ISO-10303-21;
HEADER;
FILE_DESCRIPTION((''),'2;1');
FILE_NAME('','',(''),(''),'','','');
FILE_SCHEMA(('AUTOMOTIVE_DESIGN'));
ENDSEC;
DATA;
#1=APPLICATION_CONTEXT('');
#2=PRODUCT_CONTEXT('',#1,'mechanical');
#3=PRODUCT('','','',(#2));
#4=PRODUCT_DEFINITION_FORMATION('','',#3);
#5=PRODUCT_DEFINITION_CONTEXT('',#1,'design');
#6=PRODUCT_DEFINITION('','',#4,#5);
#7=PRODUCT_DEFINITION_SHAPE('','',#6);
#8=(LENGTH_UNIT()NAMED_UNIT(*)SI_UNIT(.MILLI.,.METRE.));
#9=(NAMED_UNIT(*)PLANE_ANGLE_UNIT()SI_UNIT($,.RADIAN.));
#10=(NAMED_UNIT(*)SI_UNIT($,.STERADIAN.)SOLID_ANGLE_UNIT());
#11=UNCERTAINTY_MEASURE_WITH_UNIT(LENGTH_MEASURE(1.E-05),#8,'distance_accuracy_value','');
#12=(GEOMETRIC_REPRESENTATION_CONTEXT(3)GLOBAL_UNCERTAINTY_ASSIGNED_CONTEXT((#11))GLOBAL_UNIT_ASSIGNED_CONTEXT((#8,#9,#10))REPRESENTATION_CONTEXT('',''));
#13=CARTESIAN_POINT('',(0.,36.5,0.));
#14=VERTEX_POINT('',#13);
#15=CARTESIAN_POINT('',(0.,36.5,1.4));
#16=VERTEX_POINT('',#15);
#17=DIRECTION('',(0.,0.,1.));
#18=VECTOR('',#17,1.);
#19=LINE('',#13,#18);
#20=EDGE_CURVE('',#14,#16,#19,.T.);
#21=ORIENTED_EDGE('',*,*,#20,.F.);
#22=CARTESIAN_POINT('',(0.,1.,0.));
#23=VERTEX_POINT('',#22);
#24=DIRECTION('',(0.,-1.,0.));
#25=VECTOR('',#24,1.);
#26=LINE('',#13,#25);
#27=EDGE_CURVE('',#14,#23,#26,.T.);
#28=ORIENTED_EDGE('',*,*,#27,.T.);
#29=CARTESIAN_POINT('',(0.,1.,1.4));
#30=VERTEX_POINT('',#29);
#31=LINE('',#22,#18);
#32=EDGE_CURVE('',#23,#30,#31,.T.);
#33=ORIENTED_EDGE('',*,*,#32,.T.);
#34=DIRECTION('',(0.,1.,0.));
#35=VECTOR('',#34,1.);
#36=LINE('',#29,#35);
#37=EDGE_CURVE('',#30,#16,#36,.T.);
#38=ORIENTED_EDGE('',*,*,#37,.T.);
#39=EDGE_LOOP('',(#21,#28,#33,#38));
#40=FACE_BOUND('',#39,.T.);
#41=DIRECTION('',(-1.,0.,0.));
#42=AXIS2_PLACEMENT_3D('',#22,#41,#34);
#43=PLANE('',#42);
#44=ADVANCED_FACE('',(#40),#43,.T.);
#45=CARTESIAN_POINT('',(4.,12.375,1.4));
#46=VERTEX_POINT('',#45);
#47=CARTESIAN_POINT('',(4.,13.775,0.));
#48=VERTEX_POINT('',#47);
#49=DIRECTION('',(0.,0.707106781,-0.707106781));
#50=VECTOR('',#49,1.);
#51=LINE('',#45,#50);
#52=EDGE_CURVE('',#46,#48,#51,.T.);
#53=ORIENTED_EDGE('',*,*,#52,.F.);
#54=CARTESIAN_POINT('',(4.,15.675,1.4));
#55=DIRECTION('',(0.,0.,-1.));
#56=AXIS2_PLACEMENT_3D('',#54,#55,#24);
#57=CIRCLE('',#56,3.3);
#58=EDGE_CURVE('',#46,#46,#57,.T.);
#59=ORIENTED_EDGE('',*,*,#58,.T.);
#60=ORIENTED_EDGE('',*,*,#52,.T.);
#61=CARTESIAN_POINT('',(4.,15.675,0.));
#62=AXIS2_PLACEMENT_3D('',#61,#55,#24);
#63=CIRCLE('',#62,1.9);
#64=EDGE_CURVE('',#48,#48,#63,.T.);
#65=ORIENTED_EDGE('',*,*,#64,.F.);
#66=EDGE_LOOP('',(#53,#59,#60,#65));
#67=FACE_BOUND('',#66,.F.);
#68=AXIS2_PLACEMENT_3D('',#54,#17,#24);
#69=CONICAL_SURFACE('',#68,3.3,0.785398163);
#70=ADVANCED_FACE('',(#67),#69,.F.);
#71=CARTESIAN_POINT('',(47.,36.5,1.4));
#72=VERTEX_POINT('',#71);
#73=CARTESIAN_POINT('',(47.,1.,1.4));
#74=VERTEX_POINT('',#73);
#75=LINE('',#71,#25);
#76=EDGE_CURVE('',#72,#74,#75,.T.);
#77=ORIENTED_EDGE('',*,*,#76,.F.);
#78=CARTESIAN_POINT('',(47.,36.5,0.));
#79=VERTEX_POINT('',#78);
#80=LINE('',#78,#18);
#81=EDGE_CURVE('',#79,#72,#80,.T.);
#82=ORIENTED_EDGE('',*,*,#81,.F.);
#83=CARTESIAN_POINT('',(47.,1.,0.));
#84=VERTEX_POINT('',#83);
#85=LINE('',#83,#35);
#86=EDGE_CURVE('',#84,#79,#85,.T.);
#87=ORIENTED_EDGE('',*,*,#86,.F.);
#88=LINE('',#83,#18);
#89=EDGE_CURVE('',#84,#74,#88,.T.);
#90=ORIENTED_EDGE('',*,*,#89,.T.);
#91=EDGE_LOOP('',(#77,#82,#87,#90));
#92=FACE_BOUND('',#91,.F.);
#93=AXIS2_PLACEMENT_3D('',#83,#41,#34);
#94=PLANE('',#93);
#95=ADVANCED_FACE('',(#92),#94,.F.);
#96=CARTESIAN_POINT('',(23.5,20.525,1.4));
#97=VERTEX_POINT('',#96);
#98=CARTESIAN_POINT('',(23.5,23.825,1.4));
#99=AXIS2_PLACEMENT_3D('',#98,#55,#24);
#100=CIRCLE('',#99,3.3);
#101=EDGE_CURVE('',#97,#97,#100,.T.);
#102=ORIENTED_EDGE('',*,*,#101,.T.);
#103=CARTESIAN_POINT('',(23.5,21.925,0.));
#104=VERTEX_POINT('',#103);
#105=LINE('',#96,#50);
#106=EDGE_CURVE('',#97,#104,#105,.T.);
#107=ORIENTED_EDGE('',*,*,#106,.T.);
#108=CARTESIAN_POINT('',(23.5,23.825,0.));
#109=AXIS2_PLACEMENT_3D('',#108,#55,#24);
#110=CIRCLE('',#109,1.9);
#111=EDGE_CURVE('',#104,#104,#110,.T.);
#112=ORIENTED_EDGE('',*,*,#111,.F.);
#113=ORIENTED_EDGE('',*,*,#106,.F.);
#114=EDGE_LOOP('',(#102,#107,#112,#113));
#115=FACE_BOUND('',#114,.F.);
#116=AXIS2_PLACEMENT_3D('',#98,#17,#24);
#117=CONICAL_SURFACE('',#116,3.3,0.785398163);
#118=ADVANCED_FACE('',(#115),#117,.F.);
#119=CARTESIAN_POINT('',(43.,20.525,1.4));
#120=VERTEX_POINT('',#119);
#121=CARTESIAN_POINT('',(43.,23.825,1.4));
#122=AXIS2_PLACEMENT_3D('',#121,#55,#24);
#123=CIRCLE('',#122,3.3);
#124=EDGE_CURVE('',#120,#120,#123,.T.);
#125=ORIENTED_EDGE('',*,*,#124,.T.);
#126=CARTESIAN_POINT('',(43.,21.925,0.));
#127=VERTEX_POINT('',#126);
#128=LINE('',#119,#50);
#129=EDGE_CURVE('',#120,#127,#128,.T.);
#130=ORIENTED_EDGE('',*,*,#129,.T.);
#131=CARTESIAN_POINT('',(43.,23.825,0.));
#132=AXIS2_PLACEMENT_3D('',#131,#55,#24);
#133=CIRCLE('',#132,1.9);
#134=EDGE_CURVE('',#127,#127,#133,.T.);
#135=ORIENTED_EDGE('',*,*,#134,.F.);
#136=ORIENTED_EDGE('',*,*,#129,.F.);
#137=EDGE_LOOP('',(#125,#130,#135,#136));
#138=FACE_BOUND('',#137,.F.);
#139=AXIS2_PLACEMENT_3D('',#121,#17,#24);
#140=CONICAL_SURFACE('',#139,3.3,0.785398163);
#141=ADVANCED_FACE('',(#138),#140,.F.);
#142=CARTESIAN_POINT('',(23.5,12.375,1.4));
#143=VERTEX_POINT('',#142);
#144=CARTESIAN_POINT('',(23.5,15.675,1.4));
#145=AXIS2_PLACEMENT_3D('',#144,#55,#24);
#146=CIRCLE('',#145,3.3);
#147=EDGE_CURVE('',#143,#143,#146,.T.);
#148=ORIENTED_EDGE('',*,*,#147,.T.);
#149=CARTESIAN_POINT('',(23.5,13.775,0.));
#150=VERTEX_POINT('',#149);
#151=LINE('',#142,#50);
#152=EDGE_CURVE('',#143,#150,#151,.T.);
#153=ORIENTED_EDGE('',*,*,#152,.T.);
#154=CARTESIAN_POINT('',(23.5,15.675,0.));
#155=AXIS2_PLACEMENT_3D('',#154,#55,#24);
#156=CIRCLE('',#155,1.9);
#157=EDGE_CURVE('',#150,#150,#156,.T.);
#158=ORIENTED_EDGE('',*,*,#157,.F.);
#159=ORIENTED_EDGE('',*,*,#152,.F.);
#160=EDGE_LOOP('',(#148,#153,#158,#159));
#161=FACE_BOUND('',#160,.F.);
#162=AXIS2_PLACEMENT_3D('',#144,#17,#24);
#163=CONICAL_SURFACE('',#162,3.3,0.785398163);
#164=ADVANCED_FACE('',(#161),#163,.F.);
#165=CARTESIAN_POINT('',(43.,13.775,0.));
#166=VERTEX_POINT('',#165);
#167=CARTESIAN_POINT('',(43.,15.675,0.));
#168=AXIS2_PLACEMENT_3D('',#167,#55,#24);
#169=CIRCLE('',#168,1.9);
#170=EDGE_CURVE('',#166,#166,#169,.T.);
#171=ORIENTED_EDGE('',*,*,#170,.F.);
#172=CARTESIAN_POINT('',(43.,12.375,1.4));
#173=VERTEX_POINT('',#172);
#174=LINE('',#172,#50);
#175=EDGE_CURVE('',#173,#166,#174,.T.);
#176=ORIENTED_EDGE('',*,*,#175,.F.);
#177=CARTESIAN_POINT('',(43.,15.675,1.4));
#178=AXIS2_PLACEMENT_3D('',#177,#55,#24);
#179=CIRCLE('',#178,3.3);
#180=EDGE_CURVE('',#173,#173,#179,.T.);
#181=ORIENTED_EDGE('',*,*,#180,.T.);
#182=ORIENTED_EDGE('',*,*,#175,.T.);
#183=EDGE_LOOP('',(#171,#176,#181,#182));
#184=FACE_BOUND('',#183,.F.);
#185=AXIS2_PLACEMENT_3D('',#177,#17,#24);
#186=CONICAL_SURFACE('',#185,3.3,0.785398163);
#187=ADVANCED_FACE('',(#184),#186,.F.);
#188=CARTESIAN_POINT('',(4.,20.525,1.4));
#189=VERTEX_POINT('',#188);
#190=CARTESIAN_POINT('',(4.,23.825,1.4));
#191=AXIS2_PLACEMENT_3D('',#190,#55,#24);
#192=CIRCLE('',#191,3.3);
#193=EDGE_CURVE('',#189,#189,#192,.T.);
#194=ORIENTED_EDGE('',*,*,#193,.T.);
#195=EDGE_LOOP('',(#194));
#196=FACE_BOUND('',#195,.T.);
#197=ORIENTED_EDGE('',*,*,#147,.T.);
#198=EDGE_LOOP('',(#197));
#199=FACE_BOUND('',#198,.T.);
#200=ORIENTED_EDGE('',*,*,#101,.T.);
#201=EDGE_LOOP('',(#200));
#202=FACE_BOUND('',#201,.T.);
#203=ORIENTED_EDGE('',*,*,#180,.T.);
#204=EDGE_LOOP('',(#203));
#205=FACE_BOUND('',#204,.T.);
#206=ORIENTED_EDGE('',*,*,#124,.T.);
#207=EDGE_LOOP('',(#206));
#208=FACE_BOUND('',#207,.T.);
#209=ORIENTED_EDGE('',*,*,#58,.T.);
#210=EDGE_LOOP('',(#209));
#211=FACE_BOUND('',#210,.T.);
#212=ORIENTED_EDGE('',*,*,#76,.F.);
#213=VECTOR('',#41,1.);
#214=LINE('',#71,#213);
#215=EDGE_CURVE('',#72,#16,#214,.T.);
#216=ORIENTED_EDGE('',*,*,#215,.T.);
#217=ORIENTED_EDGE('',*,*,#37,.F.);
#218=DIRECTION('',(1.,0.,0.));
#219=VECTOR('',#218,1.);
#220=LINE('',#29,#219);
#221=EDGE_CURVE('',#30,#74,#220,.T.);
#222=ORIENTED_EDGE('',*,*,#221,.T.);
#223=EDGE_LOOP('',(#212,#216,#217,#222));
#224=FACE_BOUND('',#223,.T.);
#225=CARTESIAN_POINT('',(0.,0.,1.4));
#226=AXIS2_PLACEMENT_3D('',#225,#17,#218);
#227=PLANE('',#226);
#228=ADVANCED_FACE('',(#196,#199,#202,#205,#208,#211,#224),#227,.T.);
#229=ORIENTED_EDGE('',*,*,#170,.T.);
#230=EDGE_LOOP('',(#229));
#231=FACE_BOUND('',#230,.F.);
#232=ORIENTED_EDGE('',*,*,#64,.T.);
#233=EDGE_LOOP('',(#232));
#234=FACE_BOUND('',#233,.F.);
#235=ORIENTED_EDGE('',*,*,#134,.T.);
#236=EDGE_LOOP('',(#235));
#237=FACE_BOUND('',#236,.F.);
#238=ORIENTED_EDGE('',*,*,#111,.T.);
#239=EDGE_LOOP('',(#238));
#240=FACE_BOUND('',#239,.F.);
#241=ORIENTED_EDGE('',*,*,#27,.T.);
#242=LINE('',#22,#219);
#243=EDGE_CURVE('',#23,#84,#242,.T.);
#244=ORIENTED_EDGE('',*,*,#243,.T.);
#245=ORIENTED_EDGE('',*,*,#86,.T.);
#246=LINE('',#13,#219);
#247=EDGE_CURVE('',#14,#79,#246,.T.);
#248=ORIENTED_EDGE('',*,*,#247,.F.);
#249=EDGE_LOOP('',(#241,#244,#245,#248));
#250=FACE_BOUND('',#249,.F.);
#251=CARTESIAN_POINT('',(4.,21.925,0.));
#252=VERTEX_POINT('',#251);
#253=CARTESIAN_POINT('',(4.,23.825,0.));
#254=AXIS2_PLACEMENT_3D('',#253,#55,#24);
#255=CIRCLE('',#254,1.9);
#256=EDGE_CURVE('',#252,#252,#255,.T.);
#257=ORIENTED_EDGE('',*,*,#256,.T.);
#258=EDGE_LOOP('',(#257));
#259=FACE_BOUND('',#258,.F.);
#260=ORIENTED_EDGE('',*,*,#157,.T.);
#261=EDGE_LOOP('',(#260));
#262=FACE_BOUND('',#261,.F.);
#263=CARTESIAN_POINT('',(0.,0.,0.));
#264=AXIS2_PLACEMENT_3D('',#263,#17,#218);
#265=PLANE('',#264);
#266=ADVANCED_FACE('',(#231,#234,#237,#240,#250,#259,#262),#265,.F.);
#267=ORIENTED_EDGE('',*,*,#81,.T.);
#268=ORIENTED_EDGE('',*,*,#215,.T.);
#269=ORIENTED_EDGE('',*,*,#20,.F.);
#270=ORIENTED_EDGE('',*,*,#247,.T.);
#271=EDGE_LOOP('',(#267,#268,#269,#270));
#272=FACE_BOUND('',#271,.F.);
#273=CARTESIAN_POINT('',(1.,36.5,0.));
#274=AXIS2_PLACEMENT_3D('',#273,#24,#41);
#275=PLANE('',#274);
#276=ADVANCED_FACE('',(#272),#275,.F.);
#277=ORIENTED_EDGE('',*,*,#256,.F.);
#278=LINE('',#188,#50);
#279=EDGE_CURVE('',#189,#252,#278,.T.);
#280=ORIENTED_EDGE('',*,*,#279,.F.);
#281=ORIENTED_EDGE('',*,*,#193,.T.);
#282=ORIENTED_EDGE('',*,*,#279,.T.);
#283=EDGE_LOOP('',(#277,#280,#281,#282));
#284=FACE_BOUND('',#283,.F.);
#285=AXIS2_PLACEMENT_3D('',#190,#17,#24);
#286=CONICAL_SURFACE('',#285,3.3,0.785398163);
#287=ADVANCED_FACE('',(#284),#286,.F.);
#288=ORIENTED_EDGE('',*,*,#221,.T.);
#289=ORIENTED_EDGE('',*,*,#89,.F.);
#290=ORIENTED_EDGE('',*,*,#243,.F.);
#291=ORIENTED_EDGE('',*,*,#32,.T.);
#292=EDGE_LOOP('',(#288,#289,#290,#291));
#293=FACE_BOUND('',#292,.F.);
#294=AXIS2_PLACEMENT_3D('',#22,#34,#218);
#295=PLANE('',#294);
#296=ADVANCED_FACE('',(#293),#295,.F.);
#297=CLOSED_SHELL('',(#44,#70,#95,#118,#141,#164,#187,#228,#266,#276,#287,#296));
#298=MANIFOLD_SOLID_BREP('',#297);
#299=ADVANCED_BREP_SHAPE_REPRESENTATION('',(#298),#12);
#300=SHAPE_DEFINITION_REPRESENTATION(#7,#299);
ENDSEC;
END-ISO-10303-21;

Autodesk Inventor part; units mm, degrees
ref_plane "YZ Plane" through (0, 0, 0) normal (1, 0, 0) x (0, 1, 0)
ref_plane "XZ Plane" through (0, 0, 0) normal (0, 1, 0) x (-1, 0, 0)
ref_plane "XY Plane" through (0, 0, 0) normal (0, 0, 1) x (1, 0, 0)
ref_plane "Work Plane1" through (0, 0, 0) normal (0, 0, 1) x (1, 0, 0)
sketch "Sketch1" plane through (0, 0, 0) normal (0, 0, 1) x (1, 0, 0)
  line L0 (47, 1) -> (47, 3) projected
  line L1 (0, 3) -> (47, 3) projected
  line L2 (0, 1) -> (0, 3) projected
  line L3 (-65.5, 38.5) -> (112.5, 38.5)
  line L4 (112.5, 38.5) -> (112.5, -8.5)
  line L5 (112.5, -8.5) -> (-65.5, -8.5)
  line L6 (-65.5, -8.5) -> (-65.5, 38.5)
  line L7 (-65, -11.5) -> (-65, 38.5) projected
  line L8 (0, 1) -> (47, 1) projected
  line L9 (46, 36.5) -> (46, 3) projected
  line L10 (46, 3) -> (47, 3) projected
  line L11 (47, 36.5) -> (47, 3) projected
  line L12 (46, 36.5) -> (47, 36.5) projected
  line L13 (1, 36.5) -> (1, 3) projected
  line L14 (1, 36.5) -> (0, 36.5) projected
  line L15 (0, 36.5) -> (0, 3) projected
  line L16 (1, 3) -> (0, 3) projected
  line L17 (0, 36.5) -> (47, 36.5)
  line L18 (47, 36.5) -> (47, 1)
  line L19 (47, 1) -> (0, 1)
  line L20 (0, 1) -> (0, 36.5)
  point P0 (23.5, 0)
  point P1 (-65, -8.5)
  dimension "d0" = 178
  dimension "d1" = 89
  dimension "d2" = 89
  dimension "d3" = 0
  dimension "d13" = 3
extrude "Extrusion1" add sketch "Sketch1" along normal blind 1.4 contours L8 L2 L1 L0 | L1 L9 L12 L11 | L1 L13 L17 L9 | L15 L14 L13 L1
sketch "Sketch2" plane through (0, 0, 1.4) normal (0, 0, 1) x (1, 0, 0)
  circle A0 centre (4, 23.825) radius 2.3 projected
  circle A1 centre (4, 15.675) radius 2.3 projected
  line L0 (7, 36.5) -> (1, 36.5) projected
  line L1 (1, 3) -> (1, 36.5) projected
  line L2 (1, 3) -> (7, 3) projected
  line L3 (7, 3) -> (7, 36.5) projected
  circle A2 centre (23.5, 23.825) radius 2.3 projected
  circle A3 centre (23.5, 15.675) radius 2.3 projected
  line L4 (28, 36.5) -> (19, 36.5) projected
  line L5 (19, 3) -> (19, 36.5) projected
  line L6 (19, 3) -> (28, 3) projected
  line L7 (28, 3) -> (28, 36.5) projected
  circle A4 centre (43, 23.825) radius 2.3 projected
  circle A5 centre (43, 15.675) radius 2.3 projected
  line L8 (46, 36.5) -> (40, 36.5) projected
  line L9 (40, 3) -> (40, 36.5) projected
  line L10 (40, 3) -> (46, 3) projected
  line L11 (46, 3) -> (46, 36.5) projected
  point P0 (0, 0)
hole "Hole1" at (4, 23.825, 1.4) at (4, 15.675, 1.4) at (23.5, 15.675, 1.4) at (23.5, 23.825, 1.4) at (43, 23.825, 1.4) at (43, 15.675, 1.4) direction (0, 0, -1) diameter 3.6 end through all countersink diameter 6.6 countersink angle 90 clearance for "Countersunk Flat Head Screw ISO 2009/7046" size "M3" standard "ISO"
equation "\"d1\" = d2"
properties part number "back" material "Nylon 6/6"
